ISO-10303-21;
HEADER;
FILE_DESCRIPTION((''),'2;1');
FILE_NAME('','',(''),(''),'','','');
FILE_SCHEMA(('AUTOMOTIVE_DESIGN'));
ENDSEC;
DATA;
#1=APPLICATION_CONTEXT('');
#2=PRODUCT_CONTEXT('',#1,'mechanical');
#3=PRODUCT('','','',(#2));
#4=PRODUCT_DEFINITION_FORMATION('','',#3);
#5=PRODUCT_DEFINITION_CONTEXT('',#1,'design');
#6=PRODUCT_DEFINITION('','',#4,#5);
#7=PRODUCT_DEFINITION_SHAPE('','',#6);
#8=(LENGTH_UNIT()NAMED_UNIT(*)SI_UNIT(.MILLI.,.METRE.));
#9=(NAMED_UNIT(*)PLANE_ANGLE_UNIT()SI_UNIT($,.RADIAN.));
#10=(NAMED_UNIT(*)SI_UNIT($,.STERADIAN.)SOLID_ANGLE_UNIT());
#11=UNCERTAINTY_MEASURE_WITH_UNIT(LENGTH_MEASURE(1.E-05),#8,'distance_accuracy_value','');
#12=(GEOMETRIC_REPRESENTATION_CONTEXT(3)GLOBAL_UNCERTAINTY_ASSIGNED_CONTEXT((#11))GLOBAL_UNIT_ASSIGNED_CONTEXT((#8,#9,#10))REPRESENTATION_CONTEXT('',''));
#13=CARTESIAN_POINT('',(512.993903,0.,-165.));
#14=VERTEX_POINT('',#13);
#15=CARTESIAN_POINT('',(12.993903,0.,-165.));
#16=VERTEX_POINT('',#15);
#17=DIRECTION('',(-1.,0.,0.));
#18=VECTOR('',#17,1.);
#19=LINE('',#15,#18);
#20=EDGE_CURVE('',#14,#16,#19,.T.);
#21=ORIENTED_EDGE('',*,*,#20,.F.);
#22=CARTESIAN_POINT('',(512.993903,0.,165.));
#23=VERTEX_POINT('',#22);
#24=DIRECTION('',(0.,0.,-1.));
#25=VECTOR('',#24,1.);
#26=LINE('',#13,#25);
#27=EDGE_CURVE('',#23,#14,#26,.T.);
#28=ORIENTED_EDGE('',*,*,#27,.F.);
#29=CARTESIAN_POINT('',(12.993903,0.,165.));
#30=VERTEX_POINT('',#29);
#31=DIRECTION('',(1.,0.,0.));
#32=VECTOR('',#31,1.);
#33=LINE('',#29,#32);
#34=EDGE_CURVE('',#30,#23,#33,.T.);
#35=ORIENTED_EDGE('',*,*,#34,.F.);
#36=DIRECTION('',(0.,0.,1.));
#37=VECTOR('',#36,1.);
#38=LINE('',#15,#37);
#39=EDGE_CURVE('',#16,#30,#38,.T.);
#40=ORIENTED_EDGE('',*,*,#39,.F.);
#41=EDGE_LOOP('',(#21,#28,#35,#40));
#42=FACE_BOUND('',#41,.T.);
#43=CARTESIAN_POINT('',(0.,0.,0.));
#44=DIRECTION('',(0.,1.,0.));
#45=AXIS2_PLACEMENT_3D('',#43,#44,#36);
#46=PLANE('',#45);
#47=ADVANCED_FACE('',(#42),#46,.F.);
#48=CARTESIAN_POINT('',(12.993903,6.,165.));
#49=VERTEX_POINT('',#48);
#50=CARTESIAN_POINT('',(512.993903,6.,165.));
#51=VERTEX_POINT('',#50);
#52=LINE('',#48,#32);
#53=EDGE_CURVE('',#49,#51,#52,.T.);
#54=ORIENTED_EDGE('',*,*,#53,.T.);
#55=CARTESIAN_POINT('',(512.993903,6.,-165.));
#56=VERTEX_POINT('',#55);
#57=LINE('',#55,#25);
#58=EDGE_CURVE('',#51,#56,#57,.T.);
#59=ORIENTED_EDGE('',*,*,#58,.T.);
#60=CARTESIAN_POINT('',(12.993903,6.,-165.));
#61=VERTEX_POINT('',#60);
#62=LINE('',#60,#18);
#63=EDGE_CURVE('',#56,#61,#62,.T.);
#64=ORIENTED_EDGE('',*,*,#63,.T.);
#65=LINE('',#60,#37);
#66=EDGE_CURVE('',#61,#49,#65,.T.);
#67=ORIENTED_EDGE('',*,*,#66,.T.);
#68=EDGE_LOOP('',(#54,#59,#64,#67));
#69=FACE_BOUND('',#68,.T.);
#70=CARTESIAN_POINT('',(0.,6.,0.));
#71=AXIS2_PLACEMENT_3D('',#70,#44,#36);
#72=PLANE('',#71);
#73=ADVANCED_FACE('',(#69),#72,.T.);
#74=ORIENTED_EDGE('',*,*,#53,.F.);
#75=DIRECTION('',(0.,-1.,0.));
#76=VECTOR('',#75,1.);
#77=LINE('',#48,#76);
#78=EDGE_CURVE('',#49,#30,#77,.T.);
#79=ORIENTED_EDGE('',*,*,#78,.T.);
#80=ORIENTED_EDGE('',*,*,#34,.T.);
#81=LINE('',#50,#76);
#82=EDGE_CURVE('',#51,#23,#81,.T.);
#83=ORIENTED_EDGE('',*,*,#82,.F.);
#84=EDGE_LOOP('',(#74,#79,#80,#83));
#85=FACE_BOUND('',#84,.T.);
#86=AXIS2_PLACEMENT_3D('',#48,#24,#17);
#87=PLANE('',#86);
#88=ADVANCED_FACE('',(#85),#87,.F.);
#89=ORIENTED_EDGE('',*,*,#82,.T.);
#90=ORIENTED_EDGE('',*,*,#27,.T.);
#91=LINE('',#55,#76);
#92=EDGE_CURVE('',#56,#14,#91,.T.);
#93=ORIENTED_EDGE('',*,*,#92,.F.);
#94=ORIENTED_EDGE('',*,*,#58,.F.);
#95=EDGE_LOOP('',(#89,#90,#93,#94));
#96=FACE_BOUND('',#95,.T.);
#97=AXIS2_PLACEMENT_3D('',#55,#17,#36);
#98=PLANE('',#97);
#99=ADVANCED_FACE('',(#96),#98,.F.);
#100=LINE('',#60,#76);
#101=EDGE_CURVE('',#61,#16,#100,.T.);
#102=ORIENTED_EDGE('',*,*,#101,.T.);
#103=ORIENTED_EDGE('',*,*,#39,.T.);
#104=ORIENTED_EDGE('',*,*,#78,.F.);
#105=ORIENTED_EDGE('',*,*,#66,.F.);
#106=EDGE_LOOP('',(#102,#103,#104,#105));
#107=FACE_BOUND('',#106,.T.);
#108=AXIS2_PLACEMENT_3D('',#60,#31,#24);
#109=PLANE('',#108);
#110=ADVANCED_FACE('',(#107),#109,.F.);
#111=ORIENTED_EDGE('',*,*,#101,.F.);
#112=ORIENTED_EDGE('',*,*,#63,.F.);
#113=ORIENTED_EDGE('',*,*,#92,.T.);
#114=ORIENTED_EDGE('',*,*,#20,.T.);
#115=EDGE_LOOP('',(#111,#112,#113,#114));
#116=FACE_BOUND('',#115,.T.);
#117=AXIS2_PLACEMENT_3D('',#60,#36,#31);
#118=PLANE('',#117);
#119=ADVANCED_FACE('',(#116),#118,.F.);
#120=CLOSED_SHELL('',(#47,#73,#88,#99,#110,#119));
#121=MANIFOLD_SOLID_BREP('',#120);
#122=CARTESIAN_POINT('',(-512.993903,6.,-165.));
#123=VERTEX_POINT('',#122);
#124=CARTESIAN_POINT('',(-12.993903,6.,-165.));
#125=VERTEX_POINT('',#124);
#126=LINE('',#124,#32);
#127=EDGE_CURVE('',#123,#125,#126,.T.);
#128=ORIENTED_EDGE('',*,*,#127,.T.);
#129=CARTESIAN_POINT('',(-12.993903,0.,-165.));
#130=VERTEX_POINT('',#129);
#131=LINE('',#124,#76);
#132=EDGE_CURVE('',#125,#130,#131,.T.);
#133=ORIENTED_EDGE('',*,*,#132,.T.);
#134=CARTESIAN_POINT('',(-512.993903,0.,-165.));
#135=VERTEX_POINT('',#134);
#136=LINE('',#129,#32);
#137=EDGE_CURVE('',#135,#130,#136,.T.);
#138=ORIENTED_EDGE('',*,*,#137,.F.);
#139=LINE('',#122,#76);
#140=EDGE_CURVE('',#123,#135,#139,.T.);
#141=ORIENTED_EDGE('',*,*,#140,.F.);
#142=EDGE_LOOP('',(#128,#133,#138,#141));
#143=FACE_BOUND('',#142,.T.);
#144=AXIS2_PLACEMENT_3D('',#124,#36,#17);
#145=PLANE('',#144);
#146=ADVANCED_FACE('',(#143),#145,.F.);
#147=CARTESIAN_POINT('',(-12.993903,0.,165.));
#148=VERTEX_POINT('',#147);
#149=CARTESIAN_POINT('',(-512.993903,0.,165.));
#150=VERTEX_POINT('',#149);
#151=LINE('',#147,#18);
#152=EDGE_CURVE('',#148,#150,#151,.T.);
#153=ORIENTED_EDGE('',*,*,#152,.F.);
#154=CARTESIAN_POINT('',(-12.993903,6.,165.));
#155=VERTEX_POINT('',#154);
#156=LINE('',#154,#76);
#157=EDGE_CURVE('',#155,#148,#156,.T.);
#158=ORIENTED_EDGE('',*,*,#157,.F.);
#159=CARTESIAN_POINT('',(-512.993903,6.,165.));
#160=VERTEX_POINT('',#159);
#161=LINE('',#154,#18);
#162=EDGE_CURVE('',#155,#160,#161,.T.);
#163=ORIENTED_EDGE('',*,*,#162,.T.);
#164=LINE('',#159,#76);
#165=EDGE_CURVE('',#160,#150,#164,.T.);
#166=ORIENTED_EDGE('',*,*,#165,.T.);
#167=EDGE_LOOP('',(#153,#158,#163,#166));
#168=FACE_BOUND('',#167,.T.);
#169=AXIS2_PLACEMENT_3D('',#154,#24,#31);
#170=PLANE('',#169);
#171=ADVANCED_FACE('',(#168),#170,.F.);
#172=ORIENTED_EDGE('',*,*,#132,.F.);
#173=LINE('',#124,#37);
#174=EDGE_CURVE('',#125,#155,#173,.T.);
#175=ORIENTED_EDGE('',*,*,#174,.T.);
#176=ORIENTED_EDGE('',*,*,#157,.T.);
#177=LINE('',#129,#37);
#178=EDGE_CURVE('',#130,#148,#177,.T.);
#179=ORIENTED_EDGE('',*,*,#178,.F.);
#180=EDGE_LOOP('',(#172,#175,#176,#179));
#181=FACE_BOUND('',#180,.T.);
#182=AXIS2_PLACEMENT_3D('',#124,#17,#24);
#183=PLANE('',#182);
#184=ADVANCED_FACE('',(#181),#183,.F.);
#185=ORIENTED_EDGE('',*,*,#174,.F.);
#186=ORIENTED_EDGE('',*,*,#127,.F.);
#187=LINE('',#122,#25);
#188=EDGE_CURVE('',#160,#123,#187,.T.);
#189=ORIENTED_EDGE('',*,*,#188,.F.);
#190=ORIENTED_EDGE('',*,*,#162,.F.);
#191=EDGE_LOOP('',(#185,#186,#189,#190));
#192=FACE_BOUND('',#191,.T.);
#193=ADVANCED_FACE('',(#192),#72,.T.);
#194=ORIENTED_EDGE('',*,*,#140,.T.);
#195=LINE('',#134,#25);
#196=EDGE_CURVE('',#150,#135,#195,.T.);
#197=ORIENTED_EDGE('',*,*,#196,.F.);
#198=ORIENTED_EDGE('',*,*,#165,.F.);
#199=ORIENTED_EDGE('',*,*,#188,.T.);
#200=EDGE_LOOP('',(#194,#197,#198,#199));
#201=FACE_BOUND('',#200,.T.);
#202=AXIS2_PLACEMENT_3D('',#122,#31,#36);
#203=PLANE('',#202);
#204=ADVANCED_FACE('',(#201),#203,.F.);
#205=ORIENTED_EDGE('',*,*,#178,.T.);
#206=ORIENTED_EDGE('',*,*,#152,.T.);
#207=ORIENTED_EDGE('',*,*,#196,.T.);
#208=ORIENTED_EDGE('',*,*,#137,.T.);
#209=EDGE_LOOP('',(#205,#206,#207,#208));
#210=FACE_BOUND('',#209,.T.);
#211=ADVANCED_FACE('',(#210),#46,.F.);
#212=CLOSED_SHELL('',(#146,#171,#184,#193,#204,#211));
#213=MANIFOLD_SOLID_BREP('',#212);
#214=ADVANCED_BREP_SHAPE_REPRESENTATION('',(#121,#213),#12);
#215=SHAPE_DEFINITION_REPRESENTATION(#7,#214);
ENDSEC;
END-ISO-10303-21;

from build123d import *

# Parameters (mm, degrees)
SKETCH1_W           = 500
SKETCH1_H           = 330
BOSS_EXTRUDE1_DEPTH = 6


with BuildPart() as part:
    # Sketch1 → Boss-Extrude1 (new body)
    with BuildSketch(Plane(origin=(0, 0, 0), x_dir=(1, 0, 0), z_dir=(0, 1, 0))):
        with Locations((262.993902501, 0)):
            Rectangle(SKETCH1_W, SKETCH1_H)
    extrude(amount=BOSS_EXTRUDE1_DEPTH)


with BuildPart() as body_2:
    # Mirror1: mirrored copy
    add(part.part.mirror(Plane(origin=(0, 0, 0), x_dir=(0, 0, 1), z_dir=(1, 0, 0))))


solid = Compound([part.part, body_2.part])
